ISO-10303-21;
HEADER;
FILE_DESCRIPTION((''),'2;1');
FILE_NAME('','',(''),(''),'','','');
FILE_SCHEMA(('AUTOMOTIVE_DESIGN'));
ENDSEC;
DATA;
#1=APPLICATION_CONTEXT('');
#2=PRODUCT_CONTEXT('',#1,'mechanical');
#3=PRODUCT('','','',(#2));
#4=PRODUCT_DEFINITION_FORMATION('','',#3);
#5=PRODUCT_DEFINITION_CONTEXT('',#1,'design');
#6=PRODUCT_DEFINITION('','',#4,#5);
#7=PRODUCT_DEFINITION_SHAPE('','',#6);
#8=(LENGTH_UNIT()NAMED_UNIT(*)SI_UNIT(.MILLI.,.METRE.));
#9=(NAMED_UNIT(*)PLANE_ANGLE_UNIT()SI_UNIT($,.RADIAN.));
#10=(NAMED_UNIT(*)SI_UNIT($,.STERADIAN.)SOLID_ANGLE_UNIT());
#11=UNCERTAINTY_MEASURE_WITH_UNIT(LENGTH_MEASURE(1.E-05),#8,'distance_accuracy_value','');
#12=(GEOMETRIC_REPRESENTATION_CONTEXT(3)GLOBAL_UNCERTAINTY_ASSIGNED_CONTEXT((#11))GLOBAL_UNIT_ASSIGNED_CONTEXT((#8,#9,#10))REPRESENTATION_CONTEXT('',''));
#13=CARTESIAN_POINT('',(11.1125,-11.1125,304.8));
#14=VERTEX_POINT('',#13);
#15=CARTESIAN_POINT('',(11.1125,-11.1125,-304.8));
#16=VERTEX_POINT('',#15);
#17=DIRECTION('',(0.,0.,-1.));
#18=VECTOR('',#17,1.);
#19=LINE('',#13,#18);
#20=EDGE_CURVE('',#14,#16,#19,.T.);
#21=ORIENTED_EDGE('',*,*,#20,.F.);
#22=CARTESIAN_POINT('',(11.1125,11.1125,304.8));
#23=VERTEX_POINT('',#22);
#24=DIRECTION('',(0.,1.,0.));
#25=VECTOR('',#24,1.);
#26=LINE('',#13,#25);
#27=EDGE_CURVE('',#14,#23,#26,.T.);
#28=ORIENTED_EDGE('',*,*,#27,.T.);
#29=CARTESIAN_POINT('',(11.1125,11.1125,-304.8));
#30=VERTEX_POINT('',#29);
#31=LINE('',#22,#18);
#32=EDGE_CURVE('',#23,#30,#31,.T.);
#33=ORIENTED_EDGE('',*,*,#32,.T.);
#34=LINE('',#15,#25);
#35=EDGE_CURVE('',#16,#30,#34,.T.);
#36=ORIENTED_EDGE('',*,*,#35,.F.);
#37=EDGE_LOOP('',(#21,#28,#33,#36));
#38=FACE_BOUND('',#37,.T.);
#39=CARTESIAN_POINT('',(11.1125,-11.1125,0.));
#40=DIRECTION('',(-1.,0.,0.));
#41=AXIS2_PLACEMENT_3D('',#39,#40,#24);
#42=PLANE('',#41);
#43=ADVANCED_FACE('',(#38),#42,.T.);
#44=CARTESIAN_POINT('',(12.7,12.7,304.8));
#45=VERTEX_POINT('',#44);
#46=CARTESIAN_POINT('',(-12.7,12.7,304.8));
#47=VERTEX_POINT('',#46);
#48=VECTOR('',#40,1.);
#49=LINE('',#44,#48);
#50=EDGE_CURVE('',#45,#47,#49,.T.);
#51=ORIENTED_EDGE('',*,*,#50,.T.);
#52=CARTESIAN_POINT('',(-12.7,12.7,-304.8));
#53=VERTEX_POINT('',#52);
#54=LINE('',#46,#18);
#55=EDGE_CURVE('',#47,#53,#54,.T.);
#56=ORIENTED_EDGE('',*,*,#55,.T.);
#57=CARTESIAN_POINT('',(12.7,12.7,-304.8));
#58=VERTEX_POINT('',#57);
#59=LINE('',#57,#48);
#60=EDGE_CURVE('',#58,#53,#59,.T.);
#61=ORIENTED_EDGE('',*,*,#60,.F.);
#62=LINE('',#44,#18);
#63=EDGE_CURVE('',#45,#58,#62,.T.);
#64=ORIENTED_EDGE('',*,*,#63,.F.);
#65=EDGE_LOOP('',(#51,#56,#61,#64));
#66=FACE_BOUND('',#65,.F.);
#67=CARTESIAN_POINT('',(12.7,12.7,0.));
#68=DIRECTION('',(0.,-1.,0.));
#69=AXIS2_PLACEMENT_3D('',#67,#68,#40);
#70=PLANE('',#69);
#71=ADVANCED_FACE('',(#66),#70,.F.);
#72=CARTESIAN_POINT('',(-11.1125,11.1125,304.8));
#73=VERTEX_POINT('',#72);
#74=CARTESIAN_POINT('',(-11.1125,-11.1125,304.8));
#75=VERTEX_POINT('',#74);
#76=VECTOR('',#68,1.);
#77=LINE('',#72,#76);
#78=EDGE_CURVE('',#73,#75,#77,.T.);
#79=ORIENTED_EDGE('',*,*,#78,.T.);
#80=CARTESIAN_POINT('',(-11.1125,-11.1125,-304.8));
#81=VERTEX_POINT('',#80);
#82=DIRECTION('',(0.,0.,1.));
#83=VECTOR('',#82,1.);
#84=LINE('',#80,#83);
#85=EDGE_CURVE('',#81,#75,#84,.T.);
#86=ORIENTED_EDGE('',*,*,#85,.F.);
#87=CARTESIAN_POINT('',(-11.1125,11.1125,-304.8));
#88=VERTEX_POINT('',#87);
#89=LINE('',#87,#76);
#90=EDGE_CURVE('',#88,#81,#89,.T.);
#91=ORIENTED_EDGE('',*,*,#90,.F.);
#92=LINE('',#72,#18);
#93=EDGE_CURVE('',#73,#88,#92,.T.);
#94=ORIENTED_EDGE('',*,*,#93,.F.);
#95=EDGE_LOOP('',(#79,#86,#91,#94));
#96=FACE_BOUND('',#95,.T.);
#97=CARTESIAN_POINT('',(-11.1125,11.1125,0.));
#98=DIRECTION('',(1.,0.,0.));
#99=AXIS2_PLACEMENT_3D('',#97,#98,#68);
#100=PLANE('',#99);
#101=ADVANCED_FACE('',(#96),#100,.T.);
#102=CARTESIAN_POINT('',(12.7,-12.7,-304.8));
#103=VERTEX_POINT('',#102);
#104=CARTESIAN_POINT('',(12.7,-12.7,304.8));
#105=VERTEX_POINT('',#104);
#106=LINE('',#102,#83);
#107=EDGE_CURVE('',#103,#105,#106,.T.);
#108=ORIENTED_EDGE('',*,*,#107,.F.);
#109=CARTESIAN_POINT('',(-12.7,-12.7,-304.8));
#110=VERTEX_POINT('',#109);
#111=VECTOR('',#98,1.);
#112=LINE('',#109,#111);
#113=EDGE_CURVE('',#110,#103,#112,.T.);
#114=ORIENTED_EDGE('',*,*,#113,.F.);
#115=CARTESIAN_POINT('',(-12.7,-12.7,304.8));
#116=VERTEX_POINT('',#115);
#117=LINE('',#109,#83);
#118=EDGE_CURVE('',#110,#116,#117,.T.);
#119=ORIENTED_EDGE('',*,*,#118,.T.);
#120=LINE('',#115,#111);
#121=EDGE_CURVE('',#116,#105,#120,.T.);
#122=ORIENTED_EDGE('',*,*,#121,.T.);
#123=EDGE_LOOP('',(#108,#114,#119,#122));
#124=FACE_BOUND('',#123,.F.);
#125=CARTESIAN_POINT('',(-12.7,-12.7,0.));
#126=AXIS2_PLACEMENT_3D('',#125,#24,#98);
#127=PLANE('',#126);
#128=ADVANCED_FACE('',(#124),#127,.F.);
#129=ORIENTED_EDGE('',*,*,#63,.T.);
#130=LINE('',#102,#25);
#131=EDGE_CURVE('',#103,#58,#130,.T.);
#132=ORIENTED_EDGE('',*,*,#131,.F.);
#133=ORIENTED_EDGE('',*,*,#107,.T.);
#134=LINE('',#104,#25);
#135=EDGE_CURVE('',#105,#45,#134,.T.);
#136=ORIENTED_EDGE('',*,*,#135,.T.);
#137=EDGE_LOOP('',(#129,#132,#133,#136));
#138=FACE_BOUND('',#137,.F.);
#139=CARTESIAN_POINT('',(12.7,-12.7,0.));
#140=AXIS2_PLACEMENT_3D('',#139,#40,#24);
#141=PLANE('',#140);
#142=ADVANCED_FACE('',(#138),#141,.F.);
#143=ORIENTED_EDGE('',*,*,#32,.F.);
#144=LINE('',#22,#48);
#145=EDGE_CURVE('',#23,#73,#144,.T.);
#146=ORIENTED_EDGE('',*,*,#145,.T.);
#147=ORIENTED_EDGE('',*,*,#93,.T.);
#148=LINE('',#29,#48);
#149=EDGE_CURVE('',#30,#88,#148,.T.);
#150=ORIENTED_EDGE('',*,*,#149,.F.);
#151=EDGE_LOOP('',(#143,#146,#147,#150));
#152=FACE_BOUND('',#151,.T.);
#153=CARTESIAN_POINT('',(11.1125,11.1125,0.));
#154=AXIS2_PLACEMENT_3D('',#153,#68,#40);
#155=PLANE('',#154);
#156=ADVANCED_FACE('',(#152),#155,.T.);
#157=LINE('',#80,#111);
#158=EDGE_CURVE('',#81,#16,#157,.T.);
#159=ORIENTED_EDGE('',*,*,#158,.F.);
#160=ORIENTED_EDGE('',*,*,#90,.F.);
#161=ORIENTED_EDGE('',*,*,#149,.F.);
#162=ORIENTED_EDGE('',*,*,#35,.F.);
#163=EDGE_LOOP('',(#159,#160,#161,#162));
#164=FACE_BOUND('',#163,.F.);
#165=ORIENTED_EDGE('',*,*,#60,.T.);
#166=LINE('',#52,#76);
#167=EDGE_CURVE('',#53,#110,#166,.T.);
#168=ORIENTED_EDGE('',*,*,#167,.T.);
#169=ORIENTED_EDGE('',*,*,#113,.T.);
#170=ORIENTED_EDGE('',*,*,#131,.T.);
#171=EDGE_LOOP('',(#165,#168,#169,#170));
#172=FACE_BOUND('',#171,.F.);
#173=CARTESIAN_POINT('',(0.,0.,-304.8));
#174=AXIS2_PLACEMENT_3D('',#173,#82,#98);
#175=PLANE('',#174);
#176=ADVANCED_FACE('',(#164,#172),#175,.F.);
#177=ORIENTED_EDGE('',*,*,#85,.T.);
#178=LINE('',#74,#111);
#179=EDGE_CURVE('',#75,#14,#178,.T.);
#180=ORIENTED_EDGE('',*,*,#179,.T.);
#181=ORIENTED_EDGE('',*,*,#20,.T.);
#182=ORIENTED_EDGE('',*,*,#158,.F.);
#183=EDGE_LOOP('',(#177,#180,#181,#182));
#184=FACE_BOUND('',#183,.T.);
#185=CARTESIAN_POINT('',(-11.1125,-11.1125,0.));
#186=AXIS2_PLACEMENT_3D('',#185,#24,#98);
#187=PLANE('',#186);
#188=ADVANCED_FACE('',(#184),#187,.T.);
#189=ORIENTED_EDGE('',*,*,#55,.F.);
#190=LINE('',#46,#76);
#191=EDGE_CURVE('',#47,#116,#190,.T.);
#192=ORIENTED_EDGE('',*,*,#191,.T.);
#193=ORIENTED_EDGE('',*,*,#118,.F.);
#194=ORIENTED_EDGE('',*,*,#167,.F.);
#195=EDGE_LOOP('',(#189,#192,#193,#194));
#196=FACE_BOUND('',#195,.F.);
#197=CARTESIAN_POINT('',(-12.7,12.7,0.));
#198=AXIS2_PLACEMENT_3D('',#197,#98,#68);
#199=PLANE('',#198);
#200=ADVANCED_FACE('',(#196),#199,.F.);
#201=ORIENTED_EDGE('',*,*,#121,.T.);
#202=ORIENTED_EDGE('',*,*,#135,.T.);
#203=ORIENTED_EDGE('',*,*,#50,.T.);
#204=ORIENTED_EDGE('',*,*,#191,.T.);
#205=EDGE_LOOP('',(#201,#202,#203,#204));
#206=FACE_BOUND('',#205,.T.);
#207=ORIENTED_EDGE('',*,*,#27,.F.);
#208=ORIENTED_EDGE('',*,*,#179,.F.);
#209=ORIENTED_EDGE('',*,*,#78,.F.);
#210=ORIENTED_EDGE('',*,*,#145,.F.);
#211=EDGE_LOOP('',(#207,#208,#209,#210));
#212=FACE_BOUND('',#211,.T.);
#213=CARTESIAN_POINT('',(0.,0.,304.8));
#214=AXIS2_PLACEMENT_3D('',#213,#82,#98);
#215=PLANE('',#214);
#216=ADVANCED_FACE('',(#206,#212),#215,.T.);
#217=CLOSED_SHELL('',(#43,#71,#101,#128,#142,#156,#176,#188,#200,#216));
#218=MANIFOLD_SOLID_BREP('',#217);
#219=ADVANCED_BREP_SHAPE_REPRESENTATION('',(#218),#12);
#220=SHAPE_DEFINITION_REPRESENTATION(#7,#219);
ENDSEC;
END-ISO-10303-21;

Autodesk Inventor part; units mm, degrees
ref_plane "YZ Plane" through (0, 0, 0) normal (1, 0, 0) x (0, 1, 0)
ref_plane "XZ Plane" through (0, 0, 0) normal (0, 1, 0) x (-1, 0, 0)
ref_plane "XY Plane" through (0, 0, 0) normal (0, 0, 1) x (1, 0, 0)
sketch "Sketch1" plane through (0, 0, 0) normal (0, 0, 1) x (1, 0, 0)
  line L0 (-12.7, -12.7) -> (12.7, -12.7)
  line L1 (12.7, -12.7) -> (12.7, 12.7)
  line L2 (12.7, 12.7) -> (-12.7, 12.7)
  line L3 (-12.7, 12.7) -> (-12.7, -12.7)
  line L4 (-12.7, -12.7) -> (12.7, 12.7) construction
  line L5 (12.7, -12.7) -> (-12.7, 12.7) construction
  line L6 (-11.1125, -11.1125) -> (11.1125, -11.1125)
  line L7 (11.1125, -11.1125) -> (11.1125, 11.1125)
  line L8 (11.1125, 11.1125) -> (-11.1125, 11.1125)
  line L9 (-11.1125, 11.1125) -> (-11.1125, -11.1125)
  line L10 (-11.1125, -11.1125) -> (11.1125, 11.1125) construction
  line L11 (11.1125, -11.1125) -> (-11.1125, 11.1125) construction
  point P0 (0, 0)
  dimension "d0" = 25.4
  dimension "d1" = 25.4
  dimension "d2" = 1.5875
extrude "Extrusion1" add sketch "Sketch1" along normal mid plane 609.6
properties part number "lift support arm"
